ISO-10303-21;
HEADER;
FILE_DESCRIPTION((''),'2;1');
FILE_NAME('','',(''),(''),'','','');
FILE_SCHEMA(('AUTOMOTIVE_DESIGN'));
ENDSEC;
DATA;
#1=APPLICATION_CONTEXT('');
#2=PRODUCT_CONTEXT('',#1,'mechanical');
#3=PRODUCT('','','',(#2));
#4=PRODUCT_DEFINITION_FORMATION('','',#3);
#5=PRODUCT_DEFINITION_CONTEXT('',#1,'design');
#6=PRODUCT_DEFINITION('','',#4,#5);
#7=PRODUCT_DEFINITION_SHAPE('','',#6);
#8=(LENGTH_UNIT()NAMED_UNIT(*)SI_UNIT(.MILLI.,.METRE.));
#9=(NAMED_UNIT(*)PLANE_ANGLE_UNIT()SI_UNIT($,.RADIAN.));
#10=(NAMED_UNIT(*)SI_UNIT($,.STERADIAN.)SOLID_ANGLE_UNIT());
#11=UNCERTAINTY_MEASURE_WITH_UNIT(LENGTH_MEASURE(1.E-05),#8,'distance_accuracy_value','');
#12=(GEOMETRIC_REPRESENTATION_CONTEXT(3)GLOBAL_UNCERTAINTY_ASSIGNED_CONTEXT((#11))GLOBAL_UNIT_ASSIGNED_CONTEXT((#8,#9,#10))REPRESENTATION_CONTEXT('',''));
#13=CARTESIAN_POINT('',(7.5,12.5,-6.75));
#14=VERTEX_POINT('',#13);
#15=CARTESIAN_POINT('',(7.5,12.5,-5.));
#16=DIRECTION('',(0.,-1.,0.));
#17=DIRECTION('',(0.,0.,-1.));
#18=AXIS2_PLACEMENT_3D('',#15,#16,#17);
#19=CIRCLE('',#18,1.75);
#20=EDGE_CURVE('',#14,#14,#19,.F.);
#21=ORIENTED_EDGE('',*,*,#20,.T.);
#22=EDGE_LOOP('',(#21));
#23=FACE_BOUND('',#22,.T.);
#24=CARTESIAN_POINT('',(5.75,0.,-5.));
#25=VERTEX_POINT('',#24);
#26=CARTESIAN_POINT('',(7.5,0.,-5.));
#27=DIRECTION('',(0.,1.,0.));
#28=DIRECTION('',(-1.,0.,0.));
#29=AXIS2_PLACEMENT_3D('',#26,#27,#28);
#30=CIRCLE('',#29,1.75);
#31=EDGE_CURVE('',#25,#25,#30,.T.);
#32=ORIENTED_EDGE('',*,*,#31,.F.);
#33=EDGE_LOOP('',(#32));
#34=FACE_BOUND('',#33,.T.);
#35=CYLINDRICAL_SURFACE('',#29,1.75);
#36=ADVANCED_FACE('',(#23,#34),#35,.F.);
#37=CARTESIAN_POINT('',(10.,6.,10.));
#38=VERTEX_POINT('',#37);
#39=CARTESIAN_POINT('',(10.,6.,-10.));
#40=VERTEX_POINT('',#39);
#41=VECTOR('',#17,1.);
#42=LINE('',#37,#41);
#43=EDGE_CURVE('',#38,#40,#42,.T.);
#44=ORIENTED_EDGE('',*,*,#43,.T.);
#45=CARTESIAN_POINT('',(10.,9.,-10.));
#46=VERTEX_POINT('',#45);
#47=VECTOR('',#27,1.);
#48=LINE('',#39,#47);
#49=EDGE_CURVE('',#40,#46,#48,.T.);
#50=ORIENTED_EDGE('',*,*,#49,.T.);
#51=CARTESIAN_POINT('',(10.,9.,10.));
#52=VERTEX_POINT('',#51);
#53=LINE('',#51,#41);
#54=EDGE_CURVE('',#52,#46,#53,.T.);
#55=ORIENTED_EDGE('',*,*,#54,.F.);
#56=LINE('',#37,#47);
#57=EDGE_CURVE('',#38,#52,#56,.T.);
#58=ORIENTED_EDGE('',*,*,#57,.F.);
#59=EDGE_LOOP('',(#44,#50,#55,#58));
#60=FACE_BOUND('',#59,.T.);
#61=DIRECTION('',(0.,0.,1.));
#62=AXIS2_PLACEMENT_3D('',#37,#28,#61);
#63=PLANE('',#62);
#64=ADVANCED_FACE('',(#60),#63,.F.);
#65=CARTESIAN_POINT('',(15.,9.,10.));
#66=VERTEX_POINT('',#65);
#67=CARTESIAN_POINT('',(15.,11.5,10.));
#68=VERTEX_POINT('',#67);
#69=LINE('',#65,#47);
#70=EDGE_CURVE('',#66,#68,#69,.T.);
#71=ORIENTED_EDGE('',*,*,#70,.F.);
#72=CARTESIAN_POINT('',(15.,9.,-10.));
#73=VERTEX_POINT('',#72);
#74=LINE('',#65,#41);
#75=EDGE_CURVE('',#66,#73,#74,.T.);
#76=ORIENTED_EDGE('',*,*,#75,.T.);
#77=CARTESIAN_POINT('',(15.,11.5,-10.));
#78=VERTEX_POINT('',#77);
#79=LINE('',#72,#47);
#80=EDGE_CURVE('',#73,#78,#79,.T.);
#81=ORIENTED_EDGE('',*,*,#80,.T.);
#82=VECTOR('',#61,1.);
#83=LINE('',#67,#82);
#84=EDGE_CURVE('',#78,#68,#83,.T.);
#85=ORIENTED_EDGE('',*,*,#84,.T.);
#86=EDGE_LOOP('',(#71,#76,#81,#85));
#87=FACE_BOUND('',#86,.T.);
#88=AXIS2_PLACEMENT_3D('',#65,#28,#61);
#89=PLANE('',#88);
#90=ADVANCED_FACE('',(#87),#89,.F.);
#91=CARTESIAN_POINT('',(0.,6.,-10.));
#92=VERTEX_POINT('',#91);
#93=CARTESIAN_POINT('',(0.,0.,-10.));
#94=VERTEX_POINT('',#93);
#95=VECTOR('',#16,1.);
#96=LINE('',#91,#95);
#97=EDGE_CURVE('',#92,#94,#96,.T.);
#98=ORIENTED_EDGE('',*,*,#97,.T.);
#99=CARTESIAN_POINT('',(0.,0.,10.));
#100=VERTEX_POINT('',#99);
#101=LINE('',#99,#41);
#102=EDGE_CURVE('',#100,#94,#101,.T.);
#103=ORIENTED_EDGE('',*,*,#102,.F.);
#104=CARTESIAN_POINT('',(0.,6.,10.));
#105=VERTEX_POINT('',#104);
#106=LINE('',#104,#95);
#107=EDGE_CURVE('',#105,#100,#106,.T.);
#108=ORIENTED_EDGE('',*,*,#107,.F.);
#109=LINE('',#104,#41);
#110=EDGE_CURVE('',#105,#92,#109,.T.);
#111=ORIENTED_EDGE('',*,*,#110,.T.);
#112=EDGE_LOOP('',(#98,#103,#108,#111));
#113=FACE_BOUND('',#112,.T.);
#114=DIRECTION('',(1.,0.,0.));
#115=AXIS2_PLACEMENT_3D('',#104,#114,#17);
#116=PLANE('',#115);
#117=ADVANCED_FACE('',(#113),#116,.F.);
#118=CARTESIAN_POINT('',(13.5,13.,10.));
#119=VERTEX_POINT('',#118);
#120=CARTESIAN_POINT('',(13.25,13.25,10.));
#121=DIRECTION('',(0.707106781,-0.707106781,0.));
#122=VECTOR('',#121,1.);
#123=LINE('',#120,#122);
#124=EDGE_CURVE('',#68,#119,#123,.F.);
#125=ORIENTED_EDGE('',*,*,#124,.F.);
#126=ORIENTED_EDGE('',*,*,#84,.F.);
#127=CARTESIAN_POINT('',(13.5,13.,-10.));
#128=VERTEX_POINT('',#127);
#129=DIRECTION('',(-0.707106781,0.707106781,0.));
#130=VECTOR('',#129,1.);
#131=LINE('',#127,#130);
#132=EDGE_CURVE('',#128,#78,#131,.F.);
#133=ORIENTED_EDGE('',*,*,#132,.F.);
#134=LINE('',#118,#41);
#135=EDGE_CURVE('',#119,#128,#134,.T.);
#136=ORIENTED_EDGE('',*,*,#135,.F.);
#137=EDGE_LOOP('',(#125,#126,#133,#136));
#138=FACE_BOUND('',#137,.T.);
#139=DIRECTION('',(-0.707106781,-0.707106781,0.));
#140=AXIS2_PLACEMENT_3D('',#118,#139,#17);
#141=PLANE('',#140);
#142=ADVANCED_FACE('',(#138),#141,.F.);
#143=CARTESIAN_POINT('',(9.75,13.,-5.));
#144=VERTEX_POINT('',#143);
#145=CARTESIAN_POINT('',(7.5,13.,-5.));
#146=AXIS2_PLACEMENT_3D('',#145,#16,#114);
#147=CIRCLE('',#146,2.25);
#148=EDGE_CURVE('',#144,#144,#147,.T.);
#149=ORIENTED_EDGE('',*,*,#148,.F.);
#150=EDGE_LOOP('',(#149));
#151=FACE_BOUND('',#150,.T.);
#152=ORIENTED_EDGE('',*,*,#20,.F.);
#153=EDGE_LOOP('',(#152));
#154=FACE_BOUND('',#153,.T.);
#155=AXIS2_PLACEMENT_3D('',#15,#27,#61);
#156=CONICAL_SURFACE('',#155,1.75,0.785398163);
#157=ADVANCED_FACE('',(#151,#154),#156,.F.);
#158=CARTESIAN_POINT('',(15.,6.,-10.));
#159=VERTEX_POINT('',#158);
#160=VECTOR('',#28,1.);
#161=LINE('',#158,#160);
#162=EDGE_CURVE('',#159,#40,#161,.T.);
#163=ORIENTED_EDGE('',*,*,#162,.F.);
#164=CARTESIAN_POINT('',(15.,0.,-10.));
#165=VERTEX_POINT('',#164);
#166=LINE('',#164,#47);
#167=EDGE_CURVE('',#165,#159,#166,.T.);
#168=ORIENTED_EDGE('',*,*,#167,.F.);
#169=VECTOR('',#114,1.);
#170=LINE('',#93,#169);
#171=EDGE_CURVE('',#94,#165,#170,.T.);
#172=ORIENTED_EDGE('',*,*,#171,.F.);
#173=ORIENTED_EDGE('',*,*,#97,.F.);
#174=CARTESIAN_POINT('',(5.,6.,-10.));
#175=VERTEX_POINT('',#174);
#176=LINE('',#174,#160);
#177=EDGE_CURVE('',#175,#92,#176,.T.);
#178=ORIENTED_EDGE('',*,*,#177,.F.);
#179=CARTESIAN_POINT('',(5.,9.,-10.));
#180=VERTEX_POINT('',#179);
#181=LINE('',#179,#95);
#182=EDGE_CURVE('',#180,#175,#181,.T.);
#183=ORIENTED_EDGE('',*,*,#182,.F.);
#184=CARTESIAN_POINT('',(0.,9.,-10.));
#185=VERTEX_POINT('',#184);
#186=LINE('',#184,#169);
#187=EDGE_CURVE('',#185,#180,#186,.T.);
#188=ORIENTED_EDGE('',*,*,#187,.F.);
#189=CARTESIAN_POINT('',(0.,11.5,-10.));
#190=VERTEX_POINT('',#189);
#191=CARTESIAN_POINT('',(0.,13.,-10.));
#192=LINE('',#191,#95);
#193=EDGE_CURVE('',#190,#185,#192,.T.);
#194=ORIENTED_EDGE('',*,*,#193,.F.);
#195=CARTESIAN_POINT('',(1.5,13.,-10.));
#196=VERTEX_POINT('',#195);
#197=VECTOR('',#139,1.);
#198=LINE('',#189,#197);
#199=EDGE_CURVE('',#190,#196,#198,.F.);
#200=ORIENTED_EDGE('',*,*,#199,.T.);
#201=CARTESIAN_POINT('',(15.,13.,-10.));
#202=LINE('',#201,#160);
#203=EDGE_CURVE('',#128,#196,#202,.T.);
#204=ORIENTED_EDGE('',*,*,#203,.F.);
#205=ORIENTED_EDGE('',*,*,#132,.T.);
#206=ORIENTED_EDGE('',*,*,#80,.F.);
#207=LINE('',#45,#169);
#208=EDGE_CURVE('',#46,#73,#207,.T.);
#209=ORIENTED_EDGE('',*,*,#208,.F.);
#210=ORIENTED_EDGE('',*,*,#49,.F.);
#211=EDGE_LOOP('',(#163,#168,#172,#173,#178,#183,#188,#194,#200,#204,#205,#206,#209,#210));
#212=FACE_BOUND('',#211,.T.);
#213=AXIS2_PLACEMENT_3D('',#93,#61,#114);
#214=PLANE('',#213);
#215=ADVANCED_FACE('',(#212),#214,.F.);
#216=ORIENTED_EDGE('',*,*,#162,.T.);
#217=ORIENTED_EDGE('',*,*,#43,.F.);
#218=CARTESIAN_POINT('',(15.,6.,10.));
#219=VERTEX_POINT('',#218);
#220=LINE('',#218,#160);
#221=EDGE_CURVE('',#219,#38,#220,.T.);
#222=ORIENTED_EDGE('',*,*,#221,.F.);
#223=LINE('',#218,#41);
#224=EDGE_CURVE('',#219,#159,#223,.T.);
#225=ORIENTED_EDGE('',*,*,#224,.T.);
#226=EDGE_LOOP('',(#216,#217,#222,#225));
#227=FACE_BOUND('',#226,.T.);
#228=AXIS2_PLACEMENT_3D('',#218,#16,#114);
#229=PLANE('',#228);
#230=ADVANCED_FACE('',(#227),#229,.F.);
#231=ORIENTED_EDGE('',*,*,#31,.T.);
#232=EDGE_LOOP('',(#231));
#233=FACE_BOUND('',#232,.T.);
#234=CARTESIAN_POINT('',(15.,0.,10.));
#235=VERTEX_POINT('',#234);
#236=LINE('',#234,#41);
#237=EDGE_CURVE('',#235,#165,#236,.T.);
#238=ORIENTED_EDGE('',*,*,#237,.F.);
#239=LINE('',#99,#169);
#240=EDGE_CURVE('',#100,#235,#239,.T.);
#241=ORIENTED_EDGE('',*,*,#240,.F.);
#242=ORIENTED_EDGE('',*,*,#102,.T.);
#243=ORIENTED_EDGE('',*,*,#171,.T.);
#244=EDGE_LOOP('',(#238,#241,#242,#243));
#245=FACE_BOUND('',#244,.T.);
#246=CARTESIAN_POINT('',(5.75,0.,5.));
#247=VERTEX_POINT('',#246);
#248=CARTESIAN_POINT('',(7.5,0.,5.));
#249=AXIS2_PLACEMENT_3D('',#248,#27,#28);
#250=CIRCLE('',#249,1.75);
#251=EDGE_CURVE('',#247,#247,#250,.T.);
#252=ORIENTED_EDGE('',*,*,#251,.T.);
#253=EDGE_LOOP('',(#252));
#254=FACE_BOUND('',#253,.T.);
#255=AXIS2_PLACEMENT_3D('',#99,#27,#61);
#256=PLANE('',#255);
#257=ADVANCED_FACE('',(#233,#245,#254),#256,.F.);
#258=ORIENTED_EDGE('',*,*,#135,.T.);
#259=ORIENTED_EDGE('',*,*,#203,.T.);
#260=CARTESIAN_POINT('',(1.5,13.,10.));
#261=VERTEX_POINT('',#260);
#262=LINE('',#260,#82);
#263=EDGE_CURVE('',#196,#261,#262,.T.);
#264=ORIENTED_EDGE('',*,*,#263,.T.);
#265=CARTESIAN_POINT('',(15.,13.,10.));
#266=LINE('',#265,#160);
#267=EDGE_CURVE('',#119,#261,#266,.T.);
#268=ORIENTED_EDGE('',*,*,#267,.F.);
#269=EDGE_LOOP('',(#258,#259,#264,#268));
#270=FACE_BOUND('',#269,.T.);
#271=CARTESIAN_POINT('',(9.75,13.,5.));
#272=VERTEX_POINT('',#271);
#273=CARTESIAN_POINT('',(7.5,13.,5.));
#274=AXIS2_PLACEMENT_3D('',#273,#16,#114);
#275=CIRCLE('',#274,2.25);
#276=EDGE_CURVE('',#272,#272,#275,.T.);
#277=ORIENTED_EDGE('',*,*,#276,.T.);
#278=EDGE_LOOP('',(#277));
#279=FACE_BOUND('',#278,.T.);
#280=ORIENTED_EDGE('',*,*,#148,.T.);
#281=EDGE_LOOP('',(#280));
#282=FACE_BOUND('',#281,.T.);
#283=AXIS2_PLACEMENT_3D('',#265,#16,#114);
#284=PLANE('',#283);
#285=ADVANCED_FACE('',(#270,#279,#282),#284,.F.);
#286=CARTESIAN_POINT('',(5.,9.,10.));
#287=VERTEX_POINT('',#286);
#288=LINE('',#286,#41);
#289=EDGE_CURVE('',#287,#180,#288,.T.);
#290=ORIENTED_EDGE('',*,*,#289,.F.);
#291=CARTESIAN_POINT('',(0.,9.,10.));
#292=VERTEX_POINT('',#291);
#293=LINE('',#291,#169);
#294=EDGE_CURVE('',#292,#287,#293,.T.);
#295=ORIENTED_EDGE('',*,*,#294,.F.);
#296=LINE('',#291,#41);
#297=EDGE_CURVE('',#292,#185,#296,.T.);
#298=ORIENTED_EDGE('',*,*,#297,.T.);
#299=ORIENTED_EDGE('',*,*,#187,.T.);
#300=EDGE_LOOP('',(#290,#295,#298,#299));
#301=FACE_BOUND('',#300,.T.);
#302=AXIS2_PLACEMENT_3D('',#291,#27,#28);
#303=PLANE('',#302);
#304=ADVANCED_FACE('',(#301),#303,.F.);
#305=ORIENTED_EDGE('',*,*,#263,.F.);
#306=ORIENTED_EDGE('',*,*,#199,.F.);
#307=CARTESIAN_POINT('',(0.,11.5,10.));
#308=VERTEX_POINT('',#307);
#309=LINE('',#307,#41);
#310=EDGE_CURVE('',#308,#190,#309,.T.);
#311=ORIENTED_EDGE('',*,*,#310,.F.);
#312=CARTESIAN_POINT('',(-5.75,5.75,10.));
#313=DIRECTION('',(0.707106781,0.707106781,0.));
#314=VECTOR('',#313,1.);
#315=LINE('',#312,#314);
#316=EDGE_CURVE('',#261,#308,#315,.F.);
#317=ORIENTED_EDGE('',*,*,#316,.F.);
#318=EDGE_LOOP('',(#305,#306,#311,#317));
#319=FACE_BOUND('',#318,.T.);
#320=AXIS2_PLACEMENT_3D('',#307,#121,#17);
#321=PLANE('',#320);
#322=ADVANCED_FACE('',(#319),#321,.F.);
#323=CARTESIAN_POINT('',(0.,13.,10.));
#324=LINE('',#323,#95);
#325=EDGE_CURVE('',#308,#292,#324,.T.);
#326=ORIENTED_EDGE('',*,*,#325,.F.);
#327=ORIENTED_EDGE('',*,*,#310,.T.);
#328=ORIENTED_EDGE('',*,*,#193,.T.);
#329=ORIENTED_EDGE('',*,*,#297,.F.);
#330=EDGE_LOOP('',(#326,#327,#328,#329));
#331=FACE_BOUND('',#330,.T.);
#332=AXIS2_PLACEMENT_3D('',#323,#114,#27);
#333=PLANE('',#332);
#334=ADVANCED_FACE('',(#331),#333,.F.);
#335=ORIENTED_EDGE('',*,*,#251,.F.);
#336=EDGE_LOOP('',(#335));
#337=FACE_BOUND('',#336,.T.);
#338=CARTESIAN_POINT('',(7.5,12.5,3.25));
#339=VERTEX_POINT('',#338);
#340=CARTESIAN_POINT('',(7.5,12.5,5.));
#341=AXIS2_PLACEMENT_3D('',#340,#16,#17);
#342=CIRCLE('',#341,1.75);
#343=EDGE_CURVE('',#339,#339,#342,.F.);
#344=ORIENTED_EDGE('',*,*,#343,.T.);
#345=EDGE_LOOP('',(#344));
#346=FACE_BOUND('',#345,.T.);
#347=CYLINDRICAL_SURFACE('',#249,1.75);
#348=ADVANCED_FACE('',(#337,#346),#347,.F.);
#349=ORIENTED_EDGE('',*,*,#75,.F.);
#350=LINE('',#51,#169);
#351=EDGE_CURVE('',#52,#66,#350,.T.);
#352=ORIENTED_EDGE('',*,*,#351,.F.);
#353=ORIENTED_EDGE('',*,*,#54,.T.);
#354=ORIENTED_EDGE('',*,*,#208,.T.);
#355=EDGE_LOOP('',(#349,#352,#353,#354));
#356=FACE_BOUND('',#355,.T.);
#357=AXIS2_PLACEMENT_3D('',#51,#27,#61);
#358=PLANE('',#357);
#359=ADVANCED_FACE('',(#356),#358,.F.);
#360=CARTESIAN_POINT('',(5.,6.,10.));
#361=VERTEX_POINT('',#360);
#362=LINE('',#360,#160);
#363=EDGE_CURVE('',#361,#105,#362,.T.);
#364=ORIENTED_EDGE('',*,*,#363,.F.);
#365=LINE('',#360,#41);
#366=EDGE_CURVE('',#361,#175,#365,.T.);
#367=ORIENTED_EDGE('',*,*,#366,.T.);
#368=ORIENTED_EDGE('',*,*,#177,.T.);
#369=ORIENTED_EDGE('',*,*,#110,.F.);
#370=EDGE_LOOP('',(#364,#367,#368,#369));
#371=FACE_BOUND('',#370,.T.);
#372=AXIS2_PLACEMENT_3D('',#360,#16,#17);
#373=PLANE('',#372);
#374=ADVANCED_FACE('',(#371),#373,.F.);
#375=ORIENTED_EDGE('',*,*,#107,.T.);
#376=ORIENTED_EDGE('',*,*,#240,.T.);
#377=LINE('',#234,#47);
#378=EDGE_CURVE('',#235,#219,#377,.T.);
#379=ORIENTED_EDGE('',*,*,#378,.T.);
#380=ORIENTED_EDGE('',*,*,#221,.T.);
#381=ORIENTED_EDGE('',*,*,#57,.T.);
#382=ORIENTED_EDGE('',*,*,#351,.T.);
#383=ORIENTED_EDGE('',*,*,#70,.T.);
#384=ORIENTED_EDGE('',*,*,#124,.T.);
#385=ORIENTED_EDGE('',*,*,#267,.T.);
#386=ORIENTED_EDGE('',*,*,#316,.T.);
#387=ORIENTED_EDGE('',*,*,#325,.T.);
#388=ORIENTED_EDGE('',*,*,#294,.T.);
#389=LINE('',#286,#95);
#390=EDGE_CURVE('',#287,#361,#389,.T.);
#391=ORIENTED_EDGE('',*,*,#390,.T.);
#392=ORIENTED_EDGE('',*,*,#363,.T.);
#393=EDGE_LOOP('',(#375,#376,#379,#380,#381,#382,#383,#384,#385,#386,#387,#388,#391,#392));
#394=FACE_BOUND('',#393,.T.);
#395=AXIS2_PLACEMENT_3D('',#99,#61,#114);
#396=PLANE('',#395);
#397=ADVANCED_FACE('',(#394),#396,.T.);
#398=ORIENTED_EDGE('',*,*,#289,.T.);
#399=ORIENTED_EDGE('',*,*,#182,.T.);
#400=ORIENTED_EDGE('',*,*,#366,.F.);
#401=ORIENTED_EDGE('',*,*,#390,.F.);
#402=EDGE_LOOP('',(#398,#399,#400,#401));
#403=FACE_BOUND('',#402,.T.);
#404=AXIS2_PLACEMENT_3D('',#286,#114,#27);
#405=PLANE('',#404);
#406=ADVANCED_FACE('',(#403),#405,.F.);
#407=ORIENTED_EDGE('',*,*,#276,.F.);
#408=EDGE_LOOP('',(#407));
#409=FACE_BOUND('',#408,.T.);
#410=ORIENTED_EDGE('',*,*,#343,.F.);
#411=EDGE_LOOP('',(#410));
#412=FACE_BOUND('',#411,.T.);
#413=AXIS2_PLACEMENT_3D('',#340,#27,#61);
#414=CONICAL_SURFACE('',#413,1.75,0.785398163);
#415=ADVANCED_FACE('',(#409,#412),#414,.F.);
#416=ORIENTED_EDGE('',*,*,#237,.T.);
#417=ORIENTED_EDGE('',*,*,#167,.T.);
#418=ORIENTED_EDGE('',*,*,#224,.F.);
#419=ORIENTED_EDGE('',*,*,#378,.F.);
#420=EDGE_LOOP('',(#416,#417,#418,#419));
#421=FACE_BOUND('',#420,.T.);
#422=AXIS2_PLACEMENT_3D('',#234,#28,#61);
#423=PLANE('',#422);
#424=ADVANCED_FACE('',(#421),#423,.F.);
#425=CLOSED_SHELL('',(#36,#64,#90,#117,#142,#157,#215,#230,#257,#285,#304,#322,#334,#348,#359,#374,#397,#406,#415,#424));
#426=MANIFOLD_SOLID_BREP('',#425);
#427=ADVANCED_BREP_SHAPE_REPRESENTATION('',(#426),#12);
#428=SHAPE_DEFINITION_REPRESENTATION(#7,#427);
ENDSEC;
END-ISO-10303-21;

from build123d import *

# Parameters (mm, degrees)
BOSS_EXTRUDE1_DEPTH = 10
SKETCH2_R           = 1.75
CUT_EXTRUDE1_DEPTH  = 14
CHAMFER1_SIZE       = 1.5
CHAMFER3_SIZE       = 0.5


with BuildPart() as part:
    # Sketch1 → Boss-Extrude1 (new body, symmetric)
    with BuildSketch(Plane.XY):
        Polygon((0, 0), (15, 0), (15, 6), (10, 6), (10, 9), (15, 9), (15, 13), (0, 13), (0, 9), (5, 9), (5, 6), (0, 6), align=None)
    extrude(amount=BOSS_EXTRUDE1_DEPTH, both=True)

    # Sketch2 → Cut-Extrude1 (cut, through all)
    with BuildSketch(Plane(origin=(0, 13, 0), x_dir=(1, 0, 0), z_dir=(0, 1, 0))):
        with Locations((7.5, -5)):
            Circle(SKETCH2_R)
        with Locations((7.5, 5)):
            Circle(SKETCH2_R)
    extrude(amount=-CUT_EXTRUDE1_DEPTH, mode=Mode.SUBTRACT)

    # Chamfer1
    chamfer1_edges = [part.edges().sort_by_distance(p)[0] for p in [
        (0, 13, 0),
        (15, 13, 0),
    ]]
    chamfer(chamfer1_edges, length=CHAMFER1_SIZE)

    # Chamfer3
    chamfer3_edges = [part.edges().sort_by_distance(p)[0] for p in [
        (5.75, 13, 5),
        (5.75, 13, -5),
    ]]
    chamfer(chamfer3_edges, length=CHAMFER3_SIZE)


solid = part.part
